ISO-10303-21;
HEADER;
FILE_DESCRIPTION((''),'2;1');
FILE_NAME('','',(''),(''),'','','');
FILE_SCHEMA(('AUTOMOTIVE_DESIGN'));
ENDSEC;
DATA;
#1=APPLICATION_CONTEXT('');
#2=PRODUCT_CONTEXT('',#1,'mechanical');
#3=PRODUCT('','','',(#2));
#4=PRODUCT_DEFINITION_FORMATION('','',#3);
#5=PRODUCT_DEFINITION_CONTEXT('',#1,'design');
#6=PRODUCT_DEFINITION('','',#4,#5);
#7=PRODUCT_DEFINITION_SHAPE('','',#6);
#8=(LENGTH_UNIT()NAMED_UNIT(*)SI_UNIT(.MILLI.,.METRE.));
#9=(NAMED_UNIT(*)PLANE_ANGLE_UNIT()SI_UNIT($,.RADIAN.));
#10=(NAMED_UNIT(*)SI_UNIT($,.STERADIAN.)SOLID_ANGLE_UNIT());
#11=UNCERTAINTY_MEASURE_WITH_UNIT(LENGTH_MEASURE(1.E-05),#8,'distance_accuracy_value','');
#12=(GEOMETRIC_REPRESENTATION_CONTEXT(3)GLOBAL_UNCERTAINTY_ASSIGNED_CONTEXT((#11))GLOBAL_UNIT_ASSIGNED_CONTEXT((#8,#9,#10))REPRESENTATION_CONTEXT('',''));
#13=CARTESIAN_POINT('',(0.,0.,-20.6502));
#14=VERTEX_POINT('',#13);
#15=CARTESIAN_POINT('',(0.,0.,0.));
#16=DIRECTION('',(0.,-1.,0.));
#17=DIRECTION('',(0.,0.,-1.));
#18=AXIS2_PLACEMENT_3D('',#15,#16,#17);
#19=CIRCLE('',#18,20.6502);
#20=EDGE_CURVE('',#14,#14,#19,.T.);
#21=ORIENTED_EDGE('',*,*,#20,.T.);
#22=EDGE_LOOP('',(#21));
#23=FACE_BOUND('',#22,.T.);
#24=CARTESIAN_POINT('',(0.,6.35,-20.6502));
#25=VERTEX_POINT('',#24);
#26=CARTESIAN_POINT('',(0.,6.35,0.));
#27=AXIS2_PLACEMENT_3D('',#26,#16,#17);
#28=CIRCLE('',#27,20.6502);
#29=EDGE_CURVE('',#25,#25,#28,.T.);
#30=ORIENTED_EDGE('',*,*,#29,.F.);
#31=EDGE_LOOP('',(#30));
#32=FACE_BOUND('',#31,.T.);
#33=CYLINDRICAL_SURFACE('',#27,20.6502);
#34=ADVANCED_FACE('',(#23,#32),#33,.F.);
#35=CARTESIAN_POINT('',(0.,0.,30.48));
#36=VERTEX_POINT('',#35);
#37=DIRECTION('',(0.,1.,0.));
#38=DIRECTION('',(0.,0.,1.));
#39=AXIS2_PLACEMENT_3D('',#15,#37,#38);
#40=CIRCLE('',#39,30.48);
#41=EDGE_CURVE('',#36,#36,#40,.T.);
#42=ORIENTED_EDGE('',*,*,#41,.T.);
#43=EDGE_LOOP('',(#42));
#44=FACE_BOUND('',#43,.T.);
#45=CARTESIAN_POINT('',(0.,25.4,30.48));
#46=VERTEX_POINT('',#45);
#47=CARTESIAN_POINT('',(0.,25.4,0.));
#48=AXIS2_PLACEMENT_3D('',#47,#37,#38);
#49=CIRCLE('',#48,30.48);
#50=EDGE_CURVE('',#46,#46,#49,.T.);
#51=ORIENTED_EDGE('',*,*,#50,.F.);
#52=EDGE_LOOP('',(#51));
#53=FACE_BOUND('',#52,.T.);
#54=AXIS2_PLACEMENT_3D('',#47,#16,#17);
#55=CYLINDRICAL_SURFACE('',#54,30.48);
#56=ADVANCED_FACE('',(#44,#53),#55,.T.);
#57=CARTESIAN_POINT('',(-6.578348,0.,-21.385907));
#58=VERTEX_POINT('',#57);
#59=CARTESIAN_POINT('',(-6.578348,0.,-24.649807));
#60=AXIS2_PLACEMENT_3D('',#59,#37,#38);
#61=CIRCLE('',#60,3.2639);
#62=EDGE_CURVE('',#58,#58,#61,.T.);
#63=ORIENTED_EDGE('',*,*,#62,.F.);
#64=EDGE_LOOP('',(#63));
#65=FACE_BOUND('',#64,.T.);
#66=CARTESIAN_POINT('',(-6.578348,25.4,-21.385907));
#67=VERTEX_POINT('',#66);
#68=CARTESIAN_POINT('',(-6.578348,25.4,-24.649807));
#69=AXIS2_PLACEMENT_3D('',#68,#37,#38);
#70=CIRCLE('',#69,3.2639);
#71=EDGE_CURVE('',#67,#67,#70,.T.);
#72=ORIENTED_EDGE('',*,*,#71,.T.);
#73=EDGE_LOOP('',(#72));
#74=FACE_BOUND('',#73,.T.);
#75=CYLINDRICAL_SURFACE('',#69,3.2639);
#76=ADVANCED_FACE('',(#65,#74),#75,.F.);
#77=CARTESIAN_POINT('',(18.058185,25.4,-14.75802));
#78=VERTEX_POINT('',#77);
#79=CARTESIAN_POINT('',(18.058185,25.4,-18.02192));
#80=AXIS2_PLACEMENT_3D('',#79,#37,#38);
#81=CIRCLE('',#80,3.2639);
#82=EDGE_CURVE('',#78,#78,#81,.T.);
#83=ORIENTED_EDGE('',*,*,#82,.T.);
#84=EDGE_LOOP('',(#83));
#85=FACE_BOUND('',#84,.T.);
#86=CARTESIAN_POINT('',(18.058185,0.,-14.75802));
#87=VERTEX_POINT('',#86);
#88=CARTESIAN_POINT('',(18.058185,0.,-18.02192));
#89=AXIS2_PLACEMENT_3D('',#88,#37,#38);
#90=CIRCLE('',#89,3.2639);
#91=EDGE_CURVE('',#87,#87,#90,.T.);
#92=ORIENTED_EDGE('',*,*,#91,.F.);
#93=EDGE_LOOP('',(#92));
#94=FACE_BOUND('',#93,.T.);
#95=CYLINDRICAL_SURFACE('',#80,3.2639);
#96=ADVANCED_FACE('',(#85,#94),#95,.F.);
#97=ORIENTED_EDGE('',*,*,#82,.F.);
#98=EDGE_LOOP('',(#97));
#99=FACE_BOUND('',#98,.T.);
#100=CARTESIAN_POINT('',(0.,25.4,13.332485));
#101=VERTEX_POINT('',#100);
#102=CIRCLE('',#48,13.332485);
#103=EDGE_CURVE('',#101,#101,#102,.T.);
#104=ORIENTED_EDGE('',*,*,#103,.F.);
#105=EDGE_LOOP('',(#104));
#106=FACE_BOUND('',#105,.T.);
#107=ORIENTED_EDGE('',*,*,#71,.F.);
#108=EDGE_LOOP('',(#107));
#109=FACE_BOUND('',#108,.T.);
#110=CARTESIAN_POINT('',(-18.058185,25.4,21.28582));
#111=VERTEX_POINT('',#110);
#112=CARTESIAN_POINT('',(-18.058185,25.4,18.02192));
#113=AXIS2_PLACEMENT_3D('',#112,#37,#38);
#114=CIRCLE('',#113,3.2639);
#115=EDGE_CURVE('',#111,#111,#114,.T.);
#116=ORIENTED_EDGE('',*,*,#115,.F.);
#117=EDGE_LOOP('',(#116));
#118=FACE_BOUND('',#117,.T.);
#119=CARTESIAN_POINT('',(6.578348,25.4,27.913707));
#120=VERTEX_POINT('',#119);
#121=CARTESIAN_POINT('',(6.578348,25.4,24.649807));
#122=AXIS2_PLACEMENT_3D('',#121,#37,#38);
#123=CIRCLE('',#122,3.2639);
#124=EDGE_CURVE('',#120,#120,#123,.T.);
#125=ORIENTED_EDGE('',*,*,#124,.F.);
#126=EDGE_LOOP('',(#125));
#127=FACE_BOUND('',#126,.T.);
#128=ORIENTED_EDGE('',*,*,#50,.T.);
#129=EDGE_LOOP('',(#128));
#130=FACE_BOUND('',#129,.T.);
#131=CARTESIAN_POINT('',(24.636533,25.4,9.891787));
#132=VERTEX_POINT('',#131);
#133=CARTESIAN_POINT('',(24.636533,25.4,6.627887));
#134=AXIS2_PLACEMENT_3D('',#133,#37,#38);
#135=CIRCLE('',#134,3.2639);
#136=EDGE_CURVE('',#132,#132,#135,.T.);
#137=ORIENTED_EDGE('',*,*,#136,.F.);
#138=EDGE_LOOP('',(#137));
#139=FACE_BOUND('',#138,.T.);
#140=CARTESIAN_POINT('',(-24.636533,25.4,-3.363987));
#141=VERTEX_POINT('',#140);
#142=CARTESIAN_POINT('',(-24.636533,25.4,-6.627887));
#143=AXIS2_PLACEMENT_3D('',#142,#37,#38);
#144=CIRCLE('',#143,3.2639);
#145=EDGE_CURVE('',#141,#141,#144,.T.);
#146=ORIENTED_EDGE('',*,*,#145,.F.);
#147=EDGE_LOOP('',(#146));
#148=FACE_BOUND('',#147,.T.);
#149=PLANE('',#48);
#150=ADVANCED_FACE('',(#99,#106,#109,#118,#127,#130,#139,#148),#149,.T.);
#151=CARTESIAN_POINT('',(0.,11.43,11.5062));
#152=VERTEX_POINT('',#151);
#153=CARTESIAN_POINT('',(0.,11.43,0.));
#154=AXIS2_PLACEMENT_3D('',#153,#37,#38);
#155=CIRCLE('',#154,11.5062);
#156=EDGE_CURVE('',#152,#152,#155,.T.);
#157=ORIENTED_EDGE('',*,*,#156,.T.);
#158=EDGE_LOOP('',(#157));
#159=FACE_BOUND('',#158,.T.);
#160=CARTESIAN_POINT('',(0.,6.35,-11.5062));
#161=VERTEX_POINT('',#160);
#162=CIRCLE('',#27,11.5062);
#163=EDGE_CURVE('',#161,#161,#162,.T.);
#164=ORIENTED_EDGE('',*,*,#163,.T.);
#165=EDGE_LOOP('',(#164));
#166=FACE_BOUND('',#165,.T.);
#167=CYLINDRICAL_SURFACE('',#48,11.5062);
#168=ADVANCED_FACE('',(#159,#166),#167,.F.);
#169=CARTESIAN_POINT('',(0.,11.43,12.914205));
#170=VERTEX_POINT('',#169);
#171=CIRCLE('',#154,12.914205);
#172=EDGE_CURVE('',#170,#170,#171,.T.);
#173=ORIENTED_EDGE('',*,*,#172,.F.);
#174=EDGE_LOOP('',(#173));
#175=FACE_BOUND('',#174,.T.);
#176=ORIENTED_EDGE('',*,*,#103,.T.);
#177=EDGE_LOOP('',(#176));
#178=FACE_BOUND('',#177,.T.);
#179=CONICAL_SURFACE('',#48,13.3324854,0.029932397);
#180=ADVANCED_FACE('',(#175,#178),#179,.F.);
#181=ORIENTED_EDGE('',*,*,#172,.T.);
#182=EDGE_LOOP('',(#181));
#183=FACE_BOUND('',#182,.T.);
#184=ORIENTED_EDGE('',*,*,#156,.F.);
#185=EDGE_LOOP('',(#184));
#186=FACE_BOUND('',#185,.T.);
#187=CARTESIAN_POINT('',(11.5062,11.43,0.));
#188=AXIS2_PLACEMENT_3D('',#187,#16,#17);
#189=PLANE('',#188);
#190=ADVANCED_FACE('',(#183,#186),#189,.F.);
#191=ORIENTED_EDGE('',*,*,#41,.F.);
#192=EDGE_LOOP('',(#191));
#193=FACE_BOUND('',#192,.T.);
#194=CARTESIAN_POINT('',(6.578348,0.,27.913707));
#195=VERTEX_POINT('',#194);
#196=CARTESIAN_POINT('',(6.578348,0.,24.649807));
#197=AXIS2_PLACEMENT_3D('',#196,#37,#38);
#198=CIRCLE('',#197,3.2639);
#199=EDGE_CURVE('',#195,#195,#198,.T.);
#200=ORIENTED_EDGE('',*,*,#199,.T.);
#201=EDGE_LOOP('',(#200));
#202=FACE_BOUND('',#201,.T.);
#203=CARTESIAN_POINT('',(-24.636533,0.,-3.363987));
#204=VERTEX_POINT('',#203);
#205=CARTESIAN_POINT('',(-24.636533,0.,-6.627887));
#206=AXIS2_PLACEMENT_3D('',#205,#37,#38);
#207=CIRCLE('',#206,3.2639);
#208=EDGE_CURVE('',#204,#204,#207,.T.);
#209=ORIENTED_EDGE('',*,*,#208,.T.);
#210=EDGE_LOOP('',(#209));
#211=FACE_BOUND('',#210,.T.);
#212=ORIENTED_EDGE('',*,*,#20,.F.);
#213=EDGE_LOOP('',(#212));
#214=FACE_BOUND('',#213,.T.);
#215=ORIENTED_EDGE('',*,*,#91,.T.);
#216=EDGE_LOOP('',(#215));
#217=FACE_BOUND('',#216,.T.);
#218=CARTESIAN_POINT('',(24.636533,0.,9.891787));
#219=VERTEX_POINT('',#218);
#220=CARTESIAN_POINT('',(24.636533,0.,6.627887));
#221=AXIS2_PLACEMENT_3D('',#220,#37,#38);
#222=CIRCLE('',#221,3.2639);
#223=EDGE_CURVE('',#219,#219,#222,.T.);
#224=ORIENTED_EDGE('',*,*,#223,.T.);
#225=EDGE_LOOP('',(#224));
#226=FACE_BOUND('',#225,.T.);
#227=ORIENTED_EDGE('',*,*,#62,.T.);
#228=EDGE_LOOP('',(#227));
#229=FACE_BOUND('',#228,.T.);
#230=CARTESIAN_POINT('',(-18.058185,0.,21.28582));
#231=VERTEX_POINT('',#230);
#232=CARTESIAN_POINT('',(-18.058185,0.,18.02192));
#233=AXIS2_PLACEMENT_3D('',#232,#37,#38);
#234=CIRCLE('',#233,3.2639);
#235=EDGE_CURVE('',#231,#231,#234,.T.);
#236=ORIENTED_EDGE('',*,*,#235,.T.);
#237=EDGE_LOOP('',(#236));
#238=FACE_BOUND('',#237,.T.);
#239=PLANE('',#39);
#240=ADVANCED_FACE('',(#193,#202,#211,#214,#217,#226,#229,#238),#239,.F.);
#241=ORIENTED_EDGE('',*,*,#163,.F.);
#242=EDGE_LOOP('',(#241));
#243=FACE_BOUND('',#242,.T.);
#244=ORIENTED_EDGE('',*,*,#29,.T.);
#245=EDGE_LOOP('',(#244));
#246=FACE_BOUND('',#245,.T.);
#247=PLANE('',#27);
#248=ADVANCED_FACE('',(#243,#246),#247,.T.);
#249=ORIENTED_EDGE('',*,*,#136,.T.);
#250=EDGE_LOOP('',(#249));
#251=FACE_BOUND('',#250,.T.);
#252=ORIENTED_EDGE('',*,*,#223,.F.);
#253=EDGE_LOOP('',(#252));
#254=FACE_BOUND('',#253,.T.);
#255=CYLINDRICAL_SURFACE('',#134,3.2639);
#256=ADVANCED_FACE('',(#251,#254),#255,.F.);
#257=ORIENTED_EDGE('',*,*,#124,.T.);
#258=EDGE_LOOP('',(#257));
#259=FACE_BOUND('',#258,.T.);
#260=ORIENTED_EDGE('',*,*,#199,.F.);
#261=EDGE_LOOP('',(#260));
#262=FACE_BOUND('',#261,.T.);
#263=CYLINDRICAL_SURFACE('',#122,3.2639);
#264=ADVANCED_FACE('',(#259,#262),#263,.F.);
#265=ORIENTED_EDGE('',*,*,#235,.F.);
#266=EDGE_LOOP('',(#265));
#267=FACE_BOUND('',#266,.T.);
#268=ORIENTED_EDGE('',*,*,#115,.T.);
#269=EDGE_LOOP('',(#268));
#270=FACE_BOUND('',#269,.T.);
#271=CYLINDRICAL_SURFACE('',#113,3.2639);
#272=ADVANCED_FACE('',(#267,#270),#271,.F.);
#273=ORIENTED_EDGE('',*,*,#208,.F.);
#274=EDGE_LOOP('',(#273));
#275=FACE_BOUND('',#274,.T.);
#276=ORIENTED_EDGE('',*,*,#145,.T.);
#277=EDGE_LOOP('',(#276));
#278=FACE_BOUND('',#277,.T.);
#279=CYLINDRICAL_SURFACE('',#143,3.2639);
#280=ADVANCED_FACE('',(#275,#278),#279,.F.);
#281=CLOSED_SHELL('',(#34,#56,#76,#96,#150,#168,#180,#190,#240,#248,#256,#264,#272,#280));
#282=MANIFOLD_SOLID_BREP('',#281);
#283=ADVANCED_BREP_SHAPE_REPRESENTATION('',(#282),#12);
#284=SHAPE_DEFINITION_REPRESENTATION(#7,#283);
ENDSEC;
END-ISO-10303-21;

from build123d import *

# Parameters (mm, degrees)
SKETCH1_R               = 30.48
BOSS_EXTRUDE1_DEPTH     = 25.4
SKETCH2_R               = 20.6502
CUT_EXTRUDE1_DEPTH      = 6.35
F_1_4_CLEARANCE_HOLE1_D = 6.5278


with BuildPart() as part:
    # Sketch1 → Boss-Extrude1 (new body)
    with BuildSketch(Plane(origin=(0, 0, 0), x_dir=(1, 0, 0), z_dir=(0, 1, 0))):
        with Locations(Location((0, 0, 0), (0, 0, 270))):
            Circle(SKETCH1_R)
    extrude(amount=BOSS_EXTRUDE1_DEPTH)

    # Sketch2 → Cut-Extrude1 (cut)
    with BuildSketch(Plane.XZ):
        with Locations(Location((0, 0, 0), (0, 0, 270))):
            Circle(SKETCH2_R)
    extrude(amount=-CUT_EXTRUDE1_DEPTH, mode=Mode.SUBTRACT)

    # Sketch4 → 3/4 NPT Tapped Hole1 (revolve, cut)
    with BuildSketch(Plane(origin=(0, 25.4, 0), x_dir=(0, 0, 1), z_dir=(1, 0, 0))):
        Polygon((0, 0), (0, 25.4), (11.5062, 25.4), (11.5062, 13.97), (12.914204892, 13.97), (13.3324854, 0), align=None)
    revolve(axis=Axis((0, 31.75, 0), (0, -1, 0)), mode=Mode.SUBTRACT)

    # 1/4 Clearance Hole1 (through all)
    with Locations(Plane(origin=(0, 25.4, 0), x_dir=(1, 0, 0), z_dir=(0, 1, 0))):
        with Locations((-24.636533331, 6.627886666), (-18.058184892, -18.021920393), (6.578348439, -24.649807059), (24.636533331, -6.627886666), (18.058184892, 18.021920393), (-6.578348439, 24.649807059)):
            Hole(F_1_4_CLEARANCE_HOLE1_D / 2)


solid = part.part
